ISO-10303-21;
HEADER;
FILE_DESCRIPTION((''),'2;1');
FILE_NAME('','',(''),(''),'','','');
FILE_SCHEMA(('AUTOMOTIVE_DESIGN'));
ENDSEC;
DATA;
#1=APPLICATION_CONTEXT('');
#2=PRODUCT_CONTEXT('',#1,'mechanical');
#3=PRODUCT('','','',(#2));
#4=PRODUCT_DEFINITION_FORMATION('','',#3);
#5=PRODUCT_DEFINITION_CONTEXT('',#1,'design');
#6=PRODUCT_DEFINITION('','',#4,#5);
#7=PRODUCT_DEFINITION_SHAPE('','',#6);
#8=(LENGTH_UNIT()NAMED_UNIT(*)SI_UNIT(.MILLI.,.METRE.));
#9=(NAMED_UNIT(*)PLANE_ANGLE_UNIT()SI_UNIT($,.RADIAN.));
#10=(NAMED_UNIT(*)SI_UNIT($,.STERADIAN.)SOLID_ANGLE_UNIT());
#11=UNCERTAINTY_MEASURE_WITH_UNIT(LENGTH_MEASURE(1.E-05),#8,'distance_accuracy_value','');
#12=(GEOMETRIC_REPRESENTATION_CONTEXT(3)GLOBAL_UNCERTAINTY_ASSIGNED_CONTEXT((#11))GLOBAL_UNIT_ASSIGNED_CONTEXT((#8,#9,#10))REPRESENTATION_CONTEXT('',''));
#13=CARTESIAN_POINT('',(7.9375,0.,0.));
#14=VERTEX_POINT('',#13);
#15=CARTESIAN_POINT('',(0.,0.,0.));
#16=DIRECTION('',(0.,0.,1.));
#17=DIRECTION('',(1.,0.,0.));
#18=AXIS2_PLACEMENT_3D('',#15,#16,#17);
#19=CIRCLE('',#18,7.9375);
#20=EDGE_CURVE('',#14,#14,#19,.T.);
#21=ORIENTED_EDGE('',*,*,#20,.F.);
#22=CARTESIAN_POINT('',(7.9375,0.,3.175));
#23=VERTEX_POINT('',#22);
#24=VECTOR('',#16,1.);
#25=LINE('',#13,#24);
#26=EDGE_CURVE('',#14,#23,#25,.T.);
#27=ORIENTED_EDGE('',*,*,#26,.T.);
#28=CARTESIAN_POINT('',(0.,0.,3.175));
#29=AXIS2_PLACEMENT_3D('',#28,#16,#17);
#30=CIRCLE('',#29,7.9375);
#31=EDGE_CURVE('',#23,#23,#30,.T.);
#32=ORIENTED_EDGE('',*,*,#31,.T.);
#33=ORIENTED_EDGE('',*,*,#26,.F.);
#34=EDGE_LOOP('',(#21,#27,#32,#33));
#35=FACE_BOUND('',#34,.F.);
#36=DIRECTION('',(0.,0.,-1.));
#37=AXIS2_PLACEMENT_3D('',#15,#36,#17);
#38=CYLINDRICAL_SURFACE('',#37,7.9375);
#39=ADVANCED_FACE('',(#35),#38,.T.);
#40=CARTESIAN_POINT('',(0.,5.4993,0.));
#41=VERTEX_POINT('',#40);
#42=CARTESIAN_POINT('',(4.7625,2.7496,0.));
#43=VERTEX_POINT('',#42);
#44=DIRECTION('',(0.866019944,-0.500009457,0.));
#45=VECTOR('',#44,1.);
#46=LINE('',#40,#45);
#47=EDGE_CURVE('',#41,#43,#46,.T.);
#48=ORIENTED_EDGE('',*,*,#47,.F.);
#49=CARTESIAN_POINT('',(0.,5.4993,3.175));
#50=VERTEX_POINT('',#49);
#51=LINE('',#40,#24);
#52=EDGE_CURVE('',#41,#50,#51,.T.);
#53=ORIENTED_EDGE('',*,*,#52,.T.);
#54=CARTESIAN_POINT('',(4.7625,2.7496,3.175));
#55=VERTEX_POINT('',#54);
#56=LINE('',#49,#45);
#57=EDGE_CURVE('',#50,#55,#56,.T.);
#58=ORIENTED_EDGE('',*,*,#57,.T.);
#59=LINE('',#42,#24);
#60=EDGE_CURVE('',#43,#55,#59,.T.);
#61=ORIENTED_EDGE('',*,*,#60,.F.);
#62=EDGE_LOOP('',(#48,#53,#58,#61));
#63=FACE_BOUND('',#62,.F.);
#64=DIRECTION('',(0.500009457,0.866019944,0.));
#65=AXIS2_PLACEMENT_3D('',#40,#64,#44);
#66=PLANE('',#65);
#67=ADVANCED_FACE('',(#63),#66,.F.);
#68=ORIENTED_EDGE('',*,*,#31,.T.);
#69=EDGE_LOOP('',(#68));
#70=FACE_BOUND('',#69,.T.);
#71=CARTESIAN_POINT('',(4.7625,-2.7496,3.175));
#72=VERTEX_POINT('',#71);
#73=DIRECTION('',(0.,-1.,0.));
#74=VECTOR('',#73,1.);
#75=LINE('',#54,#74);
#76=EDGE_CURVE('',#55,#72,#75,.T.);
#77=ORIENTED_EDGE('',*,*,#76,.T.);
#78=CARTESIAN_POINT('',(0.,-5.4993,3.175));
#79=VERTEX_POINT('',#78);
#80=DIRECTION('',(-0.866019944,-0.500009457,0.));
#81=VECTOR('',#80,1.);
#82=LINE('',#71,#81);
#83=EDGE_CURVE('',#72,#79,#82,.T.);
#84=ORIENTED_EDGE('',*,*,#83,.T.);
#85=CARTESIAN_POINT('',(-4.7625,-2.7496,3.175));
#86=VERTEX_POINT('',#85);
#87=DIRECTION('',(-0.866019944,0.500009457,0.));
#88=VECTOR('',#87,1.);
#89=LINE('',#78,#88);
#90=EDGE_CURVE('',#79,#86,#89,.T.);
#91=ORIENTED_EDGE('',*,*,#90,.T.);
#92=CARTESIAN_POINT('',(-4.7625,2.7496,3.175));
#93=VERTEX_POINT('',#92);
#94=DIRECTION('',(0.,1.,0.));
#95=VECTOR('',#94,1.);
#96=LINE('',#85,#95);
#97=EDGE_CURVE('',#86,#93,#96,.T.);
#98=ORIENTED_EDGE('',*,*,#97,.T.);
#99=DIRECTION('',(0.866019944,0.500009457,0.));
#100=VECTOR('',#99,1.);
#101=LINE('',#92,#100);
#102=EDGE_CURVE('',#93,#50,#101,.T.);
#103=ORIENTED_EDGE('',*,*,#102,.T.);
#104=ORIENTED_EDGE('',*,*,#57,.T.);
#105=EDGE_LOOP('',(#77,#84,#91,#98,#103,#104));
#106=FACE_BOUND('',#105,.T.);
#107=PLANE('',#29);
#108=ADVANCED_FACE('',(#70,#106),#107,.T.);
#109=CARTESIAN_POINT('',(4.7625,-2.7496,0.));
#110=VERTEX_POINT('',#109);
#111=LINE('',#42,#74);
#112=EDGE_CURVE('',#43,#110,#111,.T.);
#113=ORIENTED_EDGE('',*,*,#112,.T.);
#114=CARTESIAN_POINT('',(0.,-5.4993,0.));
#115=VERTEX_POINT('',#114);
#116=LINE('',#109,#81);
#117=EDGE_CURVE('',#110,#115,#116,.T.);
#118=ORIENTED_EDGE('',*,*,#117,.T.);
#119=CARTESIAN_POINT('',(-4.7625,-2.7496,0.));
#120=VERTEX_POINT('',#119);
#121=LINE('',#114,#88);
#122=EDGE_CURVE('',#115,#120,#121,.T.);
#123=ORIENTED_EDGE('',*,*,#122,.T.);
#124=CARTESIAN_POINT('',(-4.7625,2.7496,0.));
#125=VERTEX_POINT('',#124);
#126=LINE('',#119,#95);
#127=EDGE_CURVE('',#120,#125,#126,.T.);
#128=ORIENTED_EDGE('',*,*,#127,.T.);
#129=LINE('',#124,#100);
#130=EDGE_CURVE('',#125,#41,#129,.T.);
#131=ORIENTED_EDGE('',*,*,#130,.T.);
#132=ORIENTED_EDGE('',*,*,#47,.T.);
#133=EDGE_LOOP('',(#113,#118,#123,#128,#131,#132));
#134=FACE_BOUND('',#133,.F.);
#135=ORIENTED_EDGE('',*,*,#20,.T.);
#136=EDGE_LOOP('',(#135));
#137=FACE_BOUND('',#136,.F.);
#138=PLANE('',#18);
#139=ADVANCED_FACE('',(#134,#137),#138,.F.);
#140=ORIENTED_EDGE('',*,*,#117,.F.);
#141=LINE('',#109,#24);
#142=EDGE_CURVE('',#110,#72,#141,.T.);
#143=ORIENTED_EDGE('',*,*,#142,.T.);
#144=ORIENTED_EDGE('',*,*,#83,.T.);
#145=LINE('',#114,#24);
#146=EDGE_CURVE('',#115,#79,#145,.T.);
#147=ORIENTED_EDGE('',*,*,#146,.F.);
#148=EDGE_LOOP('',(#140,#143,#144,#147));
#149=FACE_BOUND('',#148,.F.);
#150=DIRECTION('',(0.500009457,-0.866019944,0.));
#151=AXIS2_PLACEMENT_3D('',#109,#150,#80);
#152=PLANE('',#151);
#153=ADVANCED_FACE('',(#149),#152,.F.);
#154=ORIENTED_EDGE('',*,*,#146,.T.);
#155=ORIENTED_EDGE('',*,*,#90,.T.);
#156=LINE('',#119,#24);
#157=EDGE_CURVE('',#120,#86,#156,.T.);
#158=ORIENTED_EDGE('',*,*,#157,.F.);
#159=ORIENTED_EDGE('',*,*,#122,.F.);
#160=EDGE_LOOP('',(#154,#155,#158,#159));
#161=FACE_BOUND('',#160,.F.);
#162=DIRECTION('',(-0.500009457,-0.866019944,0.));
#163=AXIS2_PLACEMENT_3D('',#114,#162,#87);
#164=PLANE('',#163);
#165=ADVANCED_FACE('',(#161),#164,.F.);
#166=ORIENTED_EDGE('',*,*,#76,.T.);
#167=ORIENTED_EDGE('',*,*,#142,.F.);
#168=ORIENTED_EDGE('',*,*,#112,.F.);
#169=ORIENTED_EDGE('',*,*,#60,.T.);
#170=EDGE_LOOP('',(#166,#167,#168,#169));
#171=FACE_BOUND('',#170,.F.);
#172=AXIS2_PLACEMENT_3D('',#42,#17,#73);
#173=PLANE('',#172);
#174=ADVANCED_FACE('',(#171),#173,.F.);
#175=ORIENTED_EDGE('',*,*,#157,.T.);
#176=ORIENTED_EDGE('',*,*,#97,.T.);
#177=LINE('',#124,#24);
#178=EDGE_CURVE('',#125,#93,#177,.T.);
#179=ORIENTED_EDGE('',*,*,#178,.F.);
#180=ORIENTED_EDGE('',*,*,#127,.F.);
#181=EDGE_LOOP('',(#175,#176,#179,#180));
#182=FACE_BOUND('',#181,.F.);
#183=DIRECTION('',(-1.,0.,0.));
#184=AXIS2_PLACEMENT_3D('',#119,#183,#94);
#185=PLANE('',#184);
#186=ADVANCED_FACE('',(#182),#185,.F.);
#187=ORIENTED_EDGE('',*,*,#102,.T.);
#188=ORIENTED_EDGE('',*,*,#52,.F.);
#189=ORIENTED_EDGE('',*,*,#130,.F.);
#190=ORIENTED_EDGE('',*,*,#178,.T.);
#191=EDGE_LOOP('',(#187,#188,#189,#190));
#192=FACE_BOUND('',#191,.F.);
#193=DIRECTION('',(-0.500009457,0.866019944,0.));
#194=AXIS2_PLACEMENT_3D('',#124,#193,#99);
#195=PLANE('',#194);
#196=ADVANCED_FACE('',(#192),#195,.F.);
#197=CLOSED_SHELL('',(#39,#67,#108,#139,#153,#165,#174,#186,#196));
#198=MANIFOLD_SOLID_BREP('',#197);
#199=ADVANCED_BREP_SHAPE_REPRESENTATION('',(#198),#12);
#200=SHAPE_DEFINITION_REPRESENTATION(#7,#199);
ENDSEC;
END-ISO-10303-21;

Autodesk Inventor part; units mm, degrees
ref_plane "YZ Plane" through (0, 0, 0) normal (1, 0, 0) x (0, 1, 0)
ref_plane "XZ Plane" through (0, 0, 0) normal (0, 1, 0) x (-1, 0, 0)
ref_plane "XY Plane" through (0, 0, 0) normal (0, 0, 1) x (1, 0, 0)
sketch "Sketch1" plane through (0, 0, 0) normal (0, 0, 1) x (1, 0, 0)
  circle A0 centre (0, 0) radius 7.9375
  line L0 (0, 5.4993) -> (4.7625, 2.7496)
  line L1 (4.7625, 2.7496) -> (4.7625, -2.7496)
  line L2 (4.7625, -2.7496) -> (0, -5.4993)
  line L3 (0, -5.4993) -> (-4.7625, -2.7496)
  line L4 (-4.7625, -2.7496) -> (-4.7625, 2.7496)
  line L5 (-4.7625, 2.7496) -> (0, 5.4993)
  dimension "d0" = 9.525
  dimension "d1" = 15.875
extrude "Extrusion1" add sketch "Sketch1" along normal blind 3.175
properties part number "Spacer_0.375hex_0.125" material "Acetal Resin, Black"
